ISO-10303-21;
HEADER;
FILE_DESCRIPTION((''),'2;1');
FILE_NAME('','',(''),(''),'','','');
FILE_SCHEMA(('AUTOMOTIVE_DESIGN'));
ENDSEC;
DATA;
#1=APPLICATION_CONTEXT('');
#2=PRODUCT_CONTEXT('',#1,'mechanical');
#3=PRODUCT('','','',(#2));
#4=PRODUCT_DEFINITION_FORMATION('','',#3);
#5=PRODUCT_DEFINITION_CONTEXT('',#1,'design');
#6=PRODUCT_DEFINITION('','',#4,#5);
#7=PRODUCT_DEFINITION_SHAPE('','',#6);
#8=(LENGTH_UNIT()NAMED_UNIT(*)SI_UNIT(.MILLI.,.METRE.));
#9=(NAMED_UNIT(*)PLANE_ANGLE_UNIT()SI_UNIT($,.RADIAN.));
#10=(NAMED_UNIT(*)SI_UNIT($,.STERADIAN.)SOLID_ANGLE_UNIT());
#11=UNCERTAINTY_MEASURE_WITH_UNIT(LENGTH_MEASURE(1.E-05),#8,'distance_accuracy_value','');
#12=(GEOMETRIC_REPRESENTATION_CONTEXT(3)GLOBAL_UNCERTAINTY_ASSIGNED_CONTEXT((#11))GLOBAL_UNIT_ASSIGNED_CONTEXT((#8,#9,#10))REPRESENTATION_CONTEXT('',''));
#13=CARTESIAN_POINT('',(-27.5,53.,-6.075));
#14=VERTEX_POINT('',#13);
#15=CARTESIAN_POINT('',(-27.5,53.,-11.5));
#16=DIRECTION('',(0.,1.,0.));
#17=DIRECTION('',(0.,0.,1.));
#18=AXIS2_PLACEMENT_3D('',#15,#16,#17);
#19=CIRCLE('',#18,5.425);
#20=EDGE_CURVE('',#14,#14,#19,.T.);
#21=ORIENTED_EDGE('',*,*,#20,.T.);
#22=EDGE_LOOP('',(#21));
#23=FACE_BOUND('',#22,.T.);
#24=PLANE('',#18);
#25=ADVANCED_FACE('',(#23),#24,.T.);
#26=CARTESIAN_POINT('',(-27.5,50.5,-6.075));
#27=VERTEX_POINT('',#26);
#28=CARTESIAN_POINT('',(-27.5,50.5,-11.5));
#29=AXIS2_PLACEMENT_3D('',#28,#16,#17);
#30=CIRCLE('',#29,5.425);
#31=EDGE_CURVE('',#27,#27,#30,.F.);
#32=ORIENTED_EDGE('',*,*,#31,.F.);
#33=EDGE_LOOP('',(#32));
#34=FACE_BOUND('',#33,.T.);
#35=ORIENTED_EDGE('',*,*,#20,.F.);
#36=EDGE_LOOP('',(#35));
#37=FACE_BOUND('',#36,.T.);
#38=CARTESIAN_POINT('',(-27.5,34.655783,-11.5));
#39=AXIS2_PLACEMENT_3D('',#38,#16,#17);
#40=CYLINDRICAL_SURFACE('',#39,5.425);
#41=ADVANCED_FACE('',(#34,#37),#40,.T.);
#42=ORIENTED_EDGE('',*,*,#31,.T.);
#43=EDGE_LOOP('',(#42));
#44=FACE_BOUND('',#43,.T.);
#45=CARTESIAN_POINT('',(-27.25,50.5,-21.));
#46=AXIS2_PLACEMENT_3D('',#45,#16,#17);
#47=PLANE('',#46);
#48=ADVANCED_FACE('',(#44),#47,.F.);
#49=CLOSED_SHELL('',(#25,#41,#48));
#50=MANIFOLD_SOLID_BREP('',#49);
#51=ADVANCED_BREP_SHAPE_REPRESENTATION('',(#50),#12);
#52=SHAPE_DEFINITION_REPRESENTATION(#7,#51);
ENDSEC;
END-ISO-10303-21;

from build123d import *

# Parameters (mm, degrees)
SKETCH2_R           = 5.425
BOSS_EXTRUDE1_DEPTH = 2.5


with BuildPart() as part:
    # Sketch2 → Boss-Extrude1 (new body)
    with BuildSketch(Plane(origin=(0, 53, 0), x_dir=(1, 0, 0), z_dir=(0, 1, 0))):
        with Locations((-27.5, 11.5)):
            Circle(SKETCH2_R)
    extrude(amount=-BOSS_EXTRUDE1_DEPTH)


solid = part.part
